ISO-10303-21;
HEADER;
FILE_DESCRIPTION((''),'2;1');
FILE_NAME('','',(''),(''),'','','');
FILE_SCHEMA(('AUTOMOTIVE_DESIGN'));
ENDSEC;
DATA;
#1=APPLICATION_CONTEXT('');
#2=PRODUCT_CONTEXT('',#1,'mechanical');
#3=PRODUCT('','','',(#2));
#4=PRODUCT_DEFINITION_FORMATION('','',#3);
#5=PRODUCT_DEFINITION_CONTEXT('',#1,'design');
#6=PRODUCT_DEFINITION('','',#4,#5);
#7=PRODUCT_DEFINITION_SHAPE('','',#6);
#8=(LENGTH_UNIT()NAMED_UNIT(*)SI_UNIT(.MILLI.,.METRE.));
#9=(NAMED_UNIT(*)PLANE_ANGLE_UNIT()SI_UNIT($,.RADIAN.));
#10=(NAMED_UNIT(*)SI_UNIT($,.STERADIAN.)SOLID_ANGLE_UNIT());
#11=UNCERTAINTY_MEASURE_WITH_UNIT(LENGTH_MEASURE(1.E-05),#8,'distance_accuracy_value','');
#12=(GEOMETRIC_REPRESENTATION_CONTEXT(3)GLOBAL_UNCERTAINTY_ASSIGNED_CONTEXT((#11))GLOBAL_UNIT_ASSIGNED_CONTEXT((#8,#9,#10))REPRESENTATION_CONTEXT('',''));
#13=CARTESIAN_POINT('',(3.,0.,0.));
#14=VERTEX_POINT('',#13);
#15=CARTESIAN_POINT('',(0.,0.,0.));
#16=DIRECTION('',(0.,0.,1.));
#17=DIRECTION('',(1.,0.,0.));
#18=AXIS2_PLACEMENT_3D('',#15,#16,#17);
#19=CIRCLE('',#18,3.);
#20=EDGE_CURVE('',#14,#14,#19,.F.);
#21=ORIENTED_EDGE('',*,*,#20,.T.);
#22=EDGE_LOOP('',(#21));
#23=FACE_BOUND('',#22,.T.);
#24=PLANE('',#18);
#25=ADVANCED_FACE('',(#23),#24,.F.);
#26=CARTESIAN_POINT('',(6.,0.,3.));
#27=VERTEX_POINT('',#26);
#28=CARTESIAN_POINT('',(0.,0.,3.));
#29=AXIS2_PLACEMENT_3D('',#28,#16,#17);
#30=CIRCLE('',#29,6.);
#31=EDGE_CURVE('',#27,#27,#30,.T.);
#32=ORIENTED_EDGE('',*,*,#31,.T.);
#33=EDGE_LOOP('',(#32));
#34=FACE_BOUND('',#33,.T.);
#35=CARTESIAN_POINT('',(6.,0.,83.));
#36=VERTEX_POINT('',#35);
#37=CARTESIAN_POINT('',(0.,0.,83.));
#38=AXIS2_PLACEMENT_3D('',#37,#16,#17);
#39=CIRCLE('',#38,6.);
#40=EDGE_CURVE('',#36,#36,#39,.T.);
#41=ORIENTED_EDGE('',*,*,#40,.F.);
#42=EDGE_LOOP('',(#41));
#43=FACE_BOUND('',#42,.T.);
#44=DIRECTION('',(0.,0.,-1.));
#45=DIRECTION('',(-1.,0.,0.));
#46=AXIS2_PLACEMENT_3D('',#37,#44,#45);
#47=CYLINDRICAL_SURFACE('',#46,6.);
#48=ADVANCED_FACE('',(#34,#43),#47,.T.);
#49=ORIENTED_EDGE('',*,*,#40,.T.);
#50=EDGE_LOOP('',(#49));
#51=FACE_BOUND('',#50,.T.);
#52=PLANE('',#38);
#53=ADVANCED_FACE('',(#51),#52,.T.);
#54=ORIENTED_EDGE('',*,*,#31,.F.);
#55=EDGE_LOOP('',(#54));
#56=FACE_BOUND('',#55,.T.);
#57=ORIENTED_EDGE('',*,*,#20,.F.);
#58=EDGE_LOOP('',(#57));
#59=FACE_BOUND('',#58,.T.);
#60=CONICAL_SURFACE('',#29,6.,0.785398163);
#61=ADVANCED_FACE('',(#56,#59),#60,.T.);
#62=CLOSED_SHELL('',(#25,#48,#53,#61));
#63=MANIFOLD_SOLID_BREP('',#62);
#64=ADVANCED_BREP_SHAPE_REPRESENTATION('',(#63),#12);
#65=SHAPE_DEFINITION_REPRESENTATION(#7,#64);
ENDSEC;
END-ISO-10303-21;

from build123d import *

# Parameters (mm, degrees)
SKETCH1_R           = 6
BOSS_EXTRUDE1_DEPTH = 83
CHAMFER1_SIZE       = 3


with BuildPart() as part:
    # Sketch1 → Boss-Extrude1 (new body)
    with BuildSketch(Plane.XY):
        Circle(SKETCH1_R)
    extrude(amount=BOSS_EXTRUDE1_DEPTH)

    # Chamfer1
    chamfer1_edges = [part.edges().sort_by_distance(p)[0] for p in [
        (-6, 0, 0),
    ]]
    chamfer(chamfer1_edges, length=CHAMFER1_SIZE)


solid = part.part
